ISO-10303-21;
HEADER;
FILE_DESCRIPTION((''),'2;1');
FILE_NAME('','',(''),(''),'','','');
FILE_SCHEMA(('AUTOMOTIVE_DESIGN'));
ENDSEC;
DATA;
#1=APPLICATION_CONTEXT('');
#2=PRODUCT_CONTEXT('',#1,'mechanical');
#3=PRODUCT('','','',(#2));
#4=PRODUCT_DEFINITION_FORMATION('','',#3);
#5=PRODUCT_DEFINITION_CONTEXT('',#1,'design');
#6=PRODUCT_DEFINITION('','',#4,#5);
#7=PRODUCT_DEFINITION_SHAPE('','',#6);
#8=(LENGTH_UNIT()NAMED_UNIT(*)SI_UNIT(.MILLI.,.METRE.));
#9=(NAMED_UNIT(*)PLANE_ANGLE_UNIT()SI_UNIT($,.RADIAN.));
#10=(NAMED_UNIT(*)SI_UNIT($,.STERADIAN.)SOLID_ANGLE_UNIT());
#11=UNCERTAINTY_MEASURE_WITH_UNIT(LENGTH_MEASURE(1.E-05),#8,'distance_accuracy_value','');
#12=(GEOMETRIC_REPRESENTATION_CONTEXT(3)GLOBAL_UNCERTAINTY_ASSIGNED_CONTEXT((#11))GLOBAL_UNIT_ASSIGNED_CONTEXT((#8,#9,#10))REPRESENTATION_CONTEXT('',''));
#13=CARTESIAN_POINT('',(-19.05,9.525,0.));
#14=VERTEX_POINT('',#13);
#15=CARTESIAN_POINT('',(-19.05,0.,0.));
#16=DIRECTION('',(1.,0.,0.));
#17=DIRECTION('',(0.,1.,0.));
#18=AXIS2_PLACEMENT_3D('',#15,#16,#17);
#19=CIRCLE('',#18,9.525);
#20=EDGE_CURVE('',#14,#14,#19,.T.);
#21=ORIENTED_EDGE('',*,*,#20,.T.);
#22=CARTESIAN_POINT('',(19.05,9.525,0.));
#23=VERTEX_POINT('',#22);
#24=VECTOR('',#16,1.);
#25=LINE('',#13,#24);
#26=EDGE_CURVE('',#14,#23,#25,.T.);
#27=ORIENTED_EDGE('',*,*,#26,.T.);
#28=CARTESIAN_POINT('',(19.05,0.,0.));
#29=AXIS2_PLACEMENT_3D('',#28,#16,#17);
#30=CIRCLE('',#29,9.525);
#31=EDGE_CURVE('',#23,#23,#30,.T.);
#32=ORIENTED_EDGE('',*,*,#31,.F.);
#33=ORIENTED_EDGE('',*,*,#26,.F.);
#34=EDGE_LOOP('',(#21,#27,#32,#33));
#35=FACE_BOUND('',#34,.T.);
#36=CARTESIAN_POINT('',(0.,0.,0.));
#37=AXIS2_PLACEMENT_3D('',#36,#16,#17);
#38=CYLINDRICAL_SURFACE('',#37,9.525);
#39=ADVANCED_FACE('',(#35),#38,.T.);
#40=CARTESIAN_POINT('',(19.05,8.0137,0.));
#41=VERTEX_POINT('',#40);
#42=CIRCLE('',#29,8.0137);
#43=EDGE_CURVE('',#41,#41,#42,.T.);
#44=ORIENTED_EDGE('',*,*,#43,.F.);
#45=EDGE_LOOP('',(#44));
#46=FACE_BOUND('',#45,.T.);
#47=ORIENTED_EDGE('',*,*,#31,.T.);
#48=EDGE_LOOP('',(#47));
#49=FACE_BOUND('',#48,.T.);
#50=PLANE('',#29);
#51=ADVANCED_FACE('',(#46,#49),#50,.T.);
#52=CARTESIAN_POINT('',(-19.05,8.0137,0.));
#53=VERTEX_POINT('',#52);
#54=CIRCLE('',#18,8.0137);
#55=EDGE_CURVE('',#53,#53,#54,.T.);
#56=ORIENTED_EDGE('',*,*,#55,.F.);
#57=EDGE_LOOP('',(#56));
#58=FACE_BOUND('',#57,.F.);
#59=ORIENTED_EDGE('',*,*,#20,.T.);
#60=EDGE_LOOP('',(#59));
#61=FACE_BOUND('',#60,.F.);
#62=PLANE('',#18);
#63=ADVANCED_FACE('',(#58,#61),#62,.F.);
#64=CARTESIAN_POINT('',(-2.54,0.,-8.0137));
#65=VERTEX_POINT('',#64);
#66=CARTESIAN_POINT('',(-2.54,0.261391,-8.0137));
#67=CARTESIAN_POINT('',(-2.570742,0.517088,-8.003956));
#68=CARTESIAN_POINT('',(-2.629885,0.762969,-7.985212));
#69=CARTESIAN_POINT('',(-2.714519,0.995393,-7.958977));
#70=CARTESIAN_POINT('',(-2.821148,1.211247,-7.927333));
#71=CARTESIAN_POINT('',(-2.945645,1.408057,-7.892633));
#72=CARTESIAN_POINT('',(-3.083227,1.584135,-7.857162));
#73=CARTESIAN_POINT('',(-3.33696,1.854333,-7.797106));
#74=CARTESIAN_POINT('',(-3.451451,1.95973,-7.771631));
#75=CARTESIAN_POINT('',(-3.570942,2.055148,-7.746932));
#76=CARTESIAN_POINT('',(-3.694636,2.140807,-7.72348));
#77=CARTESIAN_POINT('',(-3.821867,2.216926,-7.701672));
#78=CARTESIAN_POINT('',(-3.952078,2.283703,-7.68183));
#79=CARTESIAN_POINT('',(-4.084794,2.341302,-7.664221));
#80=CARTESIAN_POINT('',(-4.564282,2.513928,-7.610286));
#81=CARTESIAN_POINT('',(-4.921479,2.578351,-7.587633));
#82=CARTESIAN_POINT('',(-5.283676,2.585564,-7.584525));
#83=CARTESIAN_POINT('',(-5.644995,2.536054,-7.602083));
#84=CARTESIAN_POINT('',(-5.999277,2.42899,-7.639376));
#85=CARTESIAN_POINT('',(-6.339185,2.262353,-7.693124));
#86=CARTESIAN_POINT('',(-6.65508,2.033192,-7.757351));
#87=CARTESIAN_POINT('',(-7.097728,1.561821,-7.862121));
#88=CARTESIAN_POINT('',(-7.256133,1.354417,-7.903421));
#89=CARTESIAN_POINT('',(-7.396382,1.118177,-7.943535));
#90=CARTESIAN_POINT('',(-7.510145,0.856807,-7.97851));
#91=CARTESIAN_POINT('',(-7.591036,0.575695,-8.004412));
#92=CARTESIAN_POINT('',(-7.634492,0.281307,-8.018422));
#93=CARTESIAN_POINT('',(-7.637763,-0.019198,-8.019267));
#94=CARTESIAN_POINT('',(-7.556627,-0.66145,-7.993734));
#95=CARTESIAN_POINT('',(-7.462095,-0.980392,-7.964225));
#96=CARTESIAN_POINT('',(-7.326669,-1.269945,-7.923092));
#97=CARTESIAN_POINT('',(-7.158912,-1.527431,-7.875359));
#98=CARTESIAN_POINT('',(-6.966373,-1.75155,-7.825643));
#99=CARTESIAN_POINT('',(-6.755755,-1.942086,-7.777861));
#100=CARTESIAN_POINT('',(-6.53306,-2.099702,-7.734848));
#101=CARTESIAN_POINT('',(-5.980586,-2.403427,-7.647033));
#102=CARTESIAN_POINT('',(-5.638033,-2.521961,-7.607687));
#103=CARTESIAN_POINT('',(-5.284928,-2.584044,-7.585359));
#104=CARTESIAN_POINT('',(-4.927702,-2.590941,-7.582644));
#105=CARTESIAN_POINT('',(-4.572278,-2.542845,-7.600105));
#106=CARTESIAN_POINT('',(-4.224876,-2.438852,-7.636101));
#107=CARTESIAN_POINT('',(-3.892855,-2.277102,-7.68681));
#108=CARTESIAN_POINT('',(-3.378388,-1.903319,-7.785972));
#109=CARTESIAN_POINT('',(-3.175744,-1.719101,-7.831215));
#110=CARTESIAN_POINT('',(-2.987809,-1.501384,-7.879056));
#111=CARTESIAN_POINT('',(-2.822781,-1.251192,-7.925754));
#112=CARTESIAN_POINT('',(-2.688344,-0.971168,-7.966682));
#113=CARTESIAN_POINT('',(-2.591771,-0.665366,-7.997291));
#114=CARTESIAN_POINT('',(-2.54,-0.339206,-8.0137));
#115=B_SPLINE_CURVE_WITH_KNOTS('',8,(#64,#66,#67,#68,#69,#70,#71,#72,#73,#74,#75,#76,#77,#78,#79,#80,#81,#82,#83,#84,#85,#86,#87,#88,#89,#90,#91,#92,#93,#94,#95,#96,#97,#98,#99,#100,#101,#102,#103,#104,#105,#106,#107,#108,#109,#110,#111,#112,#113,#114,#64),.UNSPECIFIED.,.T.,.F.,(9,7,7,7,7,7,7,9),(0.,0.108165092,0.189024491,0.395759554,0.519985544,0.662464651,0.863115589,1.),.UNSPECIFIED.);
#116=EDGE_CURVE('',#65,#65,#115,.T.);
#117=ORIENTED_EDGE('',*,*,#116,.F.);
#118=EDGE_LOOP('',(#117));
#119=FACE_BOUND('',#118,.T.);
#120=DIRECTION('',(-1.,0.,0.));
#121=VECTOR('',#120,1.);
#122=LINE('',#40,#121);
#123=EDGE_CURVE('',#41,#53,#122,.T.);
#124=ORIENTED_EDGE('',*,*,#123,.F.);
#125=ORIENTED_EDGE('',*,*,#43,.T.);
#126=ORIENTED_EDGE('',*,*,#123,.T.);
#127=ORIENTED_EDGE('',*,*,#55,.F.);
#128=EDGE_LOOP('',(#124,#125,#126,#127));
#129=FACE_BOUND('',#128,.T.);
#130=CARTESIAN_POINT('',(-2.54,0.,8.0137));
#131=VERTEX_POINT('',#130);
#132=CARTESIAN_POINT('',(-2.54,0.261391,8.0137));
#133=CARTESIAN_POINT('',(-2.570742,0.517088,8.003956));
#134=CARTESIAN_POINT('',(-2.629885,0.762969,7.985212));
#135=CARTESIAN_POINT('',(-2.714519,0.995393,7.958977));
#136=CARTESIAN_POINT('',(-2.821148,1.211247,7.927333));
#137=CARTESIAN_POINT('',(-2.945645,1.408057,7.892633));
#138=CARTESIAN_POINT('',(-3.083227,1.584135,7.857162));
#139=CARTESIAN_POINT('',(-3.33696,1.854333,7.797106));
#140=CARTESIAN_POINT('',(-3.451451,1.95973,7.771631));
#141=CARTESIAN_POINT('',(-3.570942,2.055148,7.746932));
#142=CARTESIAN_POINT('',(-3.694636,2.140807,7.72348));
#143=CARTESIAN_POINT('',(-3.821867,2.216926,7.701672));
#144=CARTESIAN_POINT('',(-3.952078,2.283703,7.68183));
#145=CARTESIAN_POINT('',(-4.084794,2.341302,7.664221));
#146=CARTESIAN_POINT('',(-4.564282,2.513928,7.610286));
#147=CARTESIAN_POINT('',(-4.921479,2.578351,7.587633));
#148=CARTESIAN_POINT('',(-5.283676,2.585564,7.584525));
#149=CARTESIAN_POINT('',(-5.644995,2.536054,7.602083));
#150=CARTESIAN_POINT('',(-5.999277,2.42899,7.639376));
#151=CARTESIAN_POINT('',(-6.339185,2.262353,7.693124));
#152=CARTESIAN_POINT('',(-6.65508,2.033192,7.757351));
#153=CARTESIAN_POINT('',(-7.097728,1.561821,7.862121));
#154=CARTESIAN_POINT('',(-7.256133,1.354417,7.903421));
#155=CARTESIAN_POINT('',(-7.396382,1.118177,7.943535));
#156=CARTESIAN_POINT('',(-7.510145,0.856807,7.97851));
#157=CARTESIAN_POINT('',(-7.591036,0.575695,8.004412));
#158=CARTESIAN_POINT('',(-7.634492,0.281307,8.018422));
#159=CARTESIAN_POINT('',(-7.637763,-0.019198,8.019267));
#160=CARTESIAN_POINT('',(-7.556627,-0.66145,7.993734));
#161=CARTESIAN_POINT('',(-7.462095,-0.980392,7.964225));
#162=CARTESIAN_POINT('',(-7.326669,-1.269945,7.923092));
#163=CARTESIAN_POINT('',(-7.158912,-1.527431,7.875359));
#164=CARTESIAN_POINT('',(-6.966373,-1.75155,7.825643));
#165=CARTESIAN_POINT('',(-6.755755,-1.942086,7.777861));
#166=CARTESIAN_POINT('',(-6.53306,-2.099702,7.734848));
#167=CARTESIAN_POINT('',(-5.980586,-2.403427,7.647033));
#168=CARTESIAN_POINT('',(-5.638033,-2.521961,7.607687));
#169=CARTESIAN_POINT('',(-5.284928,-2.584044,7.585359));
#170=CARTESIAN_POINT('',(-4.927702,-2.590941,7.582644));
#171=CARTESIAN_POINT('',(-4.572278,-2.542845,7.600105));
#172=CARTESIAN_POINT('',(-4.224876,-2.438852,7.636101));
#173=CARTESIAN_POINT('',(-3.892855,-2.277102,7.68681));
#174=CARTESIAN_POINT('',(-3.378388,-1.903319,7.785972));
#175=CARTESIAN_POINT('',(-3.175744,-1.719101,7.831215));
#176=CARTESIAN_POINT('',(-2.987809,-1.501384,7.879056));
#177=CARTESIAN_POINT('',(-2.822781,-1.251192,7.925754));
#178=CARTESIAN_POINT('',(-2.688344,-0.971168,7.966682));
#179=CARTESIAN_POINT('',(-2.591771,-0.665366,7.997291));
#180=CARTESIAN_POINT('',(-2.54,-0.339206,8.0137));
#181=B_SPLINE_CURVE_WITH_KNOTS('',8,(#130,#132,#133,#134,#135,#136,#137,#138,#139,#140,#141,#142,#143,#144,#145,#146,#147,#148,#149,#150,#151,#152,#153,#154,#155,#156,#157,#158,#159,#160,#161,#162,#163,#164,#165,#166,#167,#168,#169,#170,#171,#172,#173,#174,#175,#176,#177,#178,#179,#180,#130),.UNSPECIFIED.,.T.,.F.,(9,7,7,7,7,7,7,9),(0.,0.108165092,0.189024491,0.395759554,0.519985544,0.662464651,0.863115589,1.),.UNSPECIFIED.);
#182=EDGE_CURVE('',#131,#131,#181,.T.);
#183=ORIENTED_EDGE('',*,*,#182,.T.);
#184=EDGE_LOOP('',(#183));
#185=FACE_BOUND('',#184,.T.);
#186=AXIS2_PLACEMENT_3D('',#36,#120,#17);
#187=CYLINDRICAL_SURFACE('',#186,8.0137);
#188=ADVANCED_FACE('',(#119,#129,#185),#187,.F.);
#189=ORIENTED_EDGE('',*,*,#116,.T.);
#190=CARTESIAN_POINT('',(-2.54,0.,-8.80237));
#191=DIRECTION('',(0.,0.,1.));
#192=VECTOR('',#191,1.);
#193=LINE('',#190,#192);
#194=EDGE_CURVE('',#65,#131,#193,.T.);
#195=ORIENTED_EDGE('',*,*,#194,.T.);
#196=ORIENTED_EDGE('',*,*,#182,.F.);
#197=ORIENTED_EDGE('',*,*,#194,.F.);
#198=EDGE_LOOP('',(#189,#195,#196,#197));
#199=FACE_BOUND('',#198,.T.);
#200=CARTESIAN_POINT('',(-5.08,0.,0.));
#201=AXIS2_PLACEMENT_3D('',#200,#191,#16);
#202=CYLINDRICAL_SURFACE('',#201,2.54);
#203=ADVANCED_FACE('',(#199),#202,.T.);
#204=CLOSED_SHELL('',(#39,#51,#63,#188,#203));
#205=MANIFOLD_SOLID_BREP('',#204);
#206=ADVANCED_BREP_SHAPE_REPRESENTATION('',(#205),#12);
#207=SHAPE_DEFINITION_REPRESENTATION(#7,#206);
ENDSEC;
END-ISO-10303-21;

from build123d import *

# Parameters (mm, degrees)
F0_R     = 9.525
F0_R_2   = 8.0137
F1_DEPTH = 19.05
F2_R     = 2.54
F3_DEPTH = 8.80237


with BuildPart() as f1:
    # F0 (on Right) → F1 (new body, symmetric)
    with BuildSketch(Plane.YZ):
        Circle(F0_R)
        Circle(F0_R_2, mode=Mode.SUBTRACT)
    extrude(amount=F1_DEPTH, both=True)

    # F2 (on Top) → F3 (join, symmetric)
    with BuildSketch(Plane.XY):
        with Locations((-5.08, 0)):
            Circle(F2_R)
    extrude(amount=F3_DEPTH, both=True)


solid = f1.part
